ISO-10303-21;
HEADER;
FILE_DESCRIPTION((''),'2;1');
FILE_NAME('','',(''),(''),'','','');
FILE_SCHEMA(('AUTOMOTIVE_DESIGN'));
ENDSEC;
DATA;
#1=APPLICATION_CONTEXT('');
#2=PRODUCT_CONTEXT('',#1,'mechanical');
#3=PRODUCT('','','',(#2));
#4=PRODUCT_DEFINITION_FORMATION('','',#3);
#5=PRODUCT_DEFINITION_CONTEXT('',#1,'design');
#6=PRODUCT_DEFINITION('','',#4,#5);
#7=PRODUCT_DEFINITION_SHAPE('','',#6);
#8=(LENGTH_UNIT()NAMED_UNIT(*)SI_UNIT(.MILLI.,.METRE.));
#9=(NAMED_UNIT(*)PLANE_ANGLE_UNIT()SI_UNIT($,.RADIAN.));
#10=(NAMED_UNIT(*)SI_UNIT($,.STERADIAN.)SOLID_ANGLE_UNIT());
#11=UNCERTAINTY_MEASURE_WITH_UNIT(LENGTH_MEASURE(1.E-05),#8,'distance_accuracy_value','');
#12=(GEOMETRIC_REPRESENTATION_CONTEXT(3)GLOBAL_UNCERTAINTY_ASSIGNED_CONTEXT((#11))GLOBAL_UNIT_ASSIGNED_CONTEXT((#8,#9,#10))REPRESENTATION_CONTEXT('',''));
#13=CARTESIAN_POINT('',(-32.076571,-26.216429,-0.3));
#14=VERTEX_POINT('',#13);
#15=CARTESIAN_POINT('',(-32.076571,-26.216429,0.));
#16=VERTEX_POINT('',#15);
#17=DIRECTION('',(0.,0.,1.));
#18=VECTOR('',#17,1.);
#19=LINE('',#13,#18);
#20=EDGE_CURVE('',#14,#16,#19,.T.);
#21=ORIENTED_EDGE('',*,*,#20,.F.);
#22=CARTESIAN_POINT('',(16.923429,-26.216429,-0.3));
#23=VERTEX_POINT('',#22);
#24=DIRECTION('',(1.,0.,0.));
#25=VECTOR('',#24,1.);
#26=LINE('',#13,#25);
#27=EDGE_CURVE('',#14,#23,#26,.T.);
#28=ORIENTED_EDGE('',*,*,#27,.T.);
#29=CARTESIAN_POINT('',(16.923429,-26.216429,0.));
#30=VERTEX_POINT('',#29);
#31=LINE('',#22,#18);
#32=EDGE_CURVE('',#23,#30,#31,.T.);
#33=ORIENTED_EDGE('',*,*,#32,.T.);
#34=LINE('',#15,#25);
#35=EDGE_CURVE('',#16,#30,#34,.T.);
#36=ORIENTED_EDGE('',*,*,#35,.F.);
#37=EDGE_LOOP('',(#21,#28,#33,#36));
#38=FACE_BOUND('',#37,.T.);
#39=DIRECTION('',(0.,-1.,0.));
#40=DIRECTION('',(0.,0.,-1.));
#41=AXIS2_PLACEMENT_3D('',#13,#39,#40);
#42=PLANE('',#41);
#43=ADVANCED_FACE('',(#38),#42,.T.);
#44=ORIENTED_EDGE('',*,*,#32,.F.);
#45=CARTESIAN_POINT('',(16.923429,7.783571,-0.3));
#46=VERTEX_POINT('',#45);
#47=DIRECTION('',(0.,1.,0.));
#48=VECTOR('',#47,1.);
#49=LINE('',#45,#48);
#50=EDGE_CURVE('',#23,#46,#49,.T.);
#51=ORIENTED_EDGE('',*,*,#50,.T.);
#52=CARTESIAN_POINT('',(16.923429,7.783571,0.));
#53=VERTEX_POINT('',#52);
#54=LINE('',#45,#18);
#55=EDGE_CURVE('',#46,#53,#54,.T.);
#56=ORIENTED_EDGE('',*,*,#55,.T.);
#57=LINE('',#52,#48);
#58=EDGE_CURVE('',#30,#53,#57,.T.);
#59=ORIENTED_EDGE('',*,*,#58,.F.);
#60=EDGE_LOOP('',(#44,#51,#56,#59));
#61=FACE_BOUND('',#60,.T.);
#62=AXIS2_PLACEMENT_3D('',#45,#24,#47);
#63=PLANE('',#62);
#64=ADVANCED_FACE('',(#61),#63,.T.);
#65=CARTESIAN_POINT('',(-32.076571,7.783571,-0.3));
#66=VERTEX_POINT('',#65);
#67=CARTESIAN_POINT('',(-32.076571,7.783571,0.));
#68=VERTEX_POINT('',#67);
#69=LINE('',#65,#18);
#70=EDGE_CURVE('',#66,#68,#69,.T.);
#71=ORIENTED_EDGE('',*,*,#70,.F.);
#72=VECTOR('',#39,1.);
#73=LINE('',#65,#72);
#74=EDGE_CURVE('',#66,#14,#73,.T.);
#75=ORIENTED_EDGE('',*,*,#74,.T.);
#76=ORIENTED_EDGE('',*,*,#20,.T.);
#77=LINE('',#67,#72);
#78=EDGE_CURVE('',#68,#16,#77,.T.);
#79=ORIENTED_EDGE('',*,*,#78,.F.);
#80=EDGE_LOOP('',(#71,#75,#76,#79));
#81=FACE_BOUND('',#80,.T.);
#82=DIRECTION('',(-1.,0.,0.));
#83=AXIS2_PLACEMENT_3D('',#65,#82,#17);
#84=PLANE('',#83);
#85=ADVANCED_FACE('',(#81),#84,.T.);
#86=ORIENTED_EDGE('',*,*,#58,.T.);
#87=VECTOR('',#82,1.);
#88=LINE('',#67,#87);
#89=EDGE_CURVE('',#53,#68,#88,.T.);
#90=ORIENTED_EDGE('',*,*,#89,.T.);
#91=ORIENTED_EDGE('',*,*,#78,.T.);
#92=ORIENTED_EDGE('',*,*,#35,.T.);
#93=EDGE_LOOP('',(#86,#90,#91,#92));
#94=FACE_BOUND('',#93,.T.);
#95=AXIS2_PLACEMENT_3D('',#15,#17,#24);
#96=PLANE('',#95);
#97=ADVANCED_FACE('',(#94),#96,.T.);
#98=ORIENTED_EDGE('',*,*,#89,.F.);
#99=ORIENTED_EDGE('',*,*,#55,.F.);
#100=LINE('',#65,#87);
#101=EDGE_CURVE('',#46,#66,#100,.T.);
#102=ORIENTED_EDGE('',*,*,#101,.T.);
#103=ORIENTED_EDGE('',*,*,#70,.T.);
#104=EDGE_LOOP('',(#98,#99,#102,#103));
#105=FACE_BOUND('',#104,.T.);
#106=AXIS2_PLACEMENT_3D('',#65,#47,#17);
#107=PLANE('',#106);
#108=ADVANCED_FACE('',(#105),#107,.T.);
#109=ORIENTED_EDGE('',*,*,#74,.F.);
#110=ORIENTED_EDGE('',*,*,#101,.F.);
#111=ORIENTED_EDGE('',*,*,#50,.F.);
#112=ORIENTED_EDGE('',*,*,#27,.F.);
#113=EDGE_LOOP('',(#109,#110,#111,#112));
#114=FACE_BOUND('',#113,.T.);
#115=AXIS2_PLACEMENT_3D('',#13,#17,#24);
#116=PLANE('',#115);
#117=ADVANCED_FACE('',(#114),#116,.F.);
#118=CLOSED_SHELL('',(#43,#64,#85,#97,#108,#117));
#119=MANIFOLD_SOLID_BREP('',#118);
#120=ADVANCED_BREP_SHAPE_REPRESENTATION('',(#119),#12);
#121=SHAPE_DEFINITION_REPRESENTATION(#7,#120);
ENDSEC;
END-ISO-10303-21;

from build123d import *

# Parameters (mm, degrees)
ESQUISSE1_W      = 49
ESQUISSE1_H      = 34
EXTRUSION1_DEPTH = 0.3


with BuildPart() as part:
    # Esquisse1 → Extrusion1 (new body)
    with BuildSketch(Plane.XY):
        with Locations((-7.576571429, -9.216428571)):
            Rectangle(ESQUISSE1_W, ESQUISSE1_H)
    extrude(amount=-EXTRUSION1_DEPTH)


solid = part.part
